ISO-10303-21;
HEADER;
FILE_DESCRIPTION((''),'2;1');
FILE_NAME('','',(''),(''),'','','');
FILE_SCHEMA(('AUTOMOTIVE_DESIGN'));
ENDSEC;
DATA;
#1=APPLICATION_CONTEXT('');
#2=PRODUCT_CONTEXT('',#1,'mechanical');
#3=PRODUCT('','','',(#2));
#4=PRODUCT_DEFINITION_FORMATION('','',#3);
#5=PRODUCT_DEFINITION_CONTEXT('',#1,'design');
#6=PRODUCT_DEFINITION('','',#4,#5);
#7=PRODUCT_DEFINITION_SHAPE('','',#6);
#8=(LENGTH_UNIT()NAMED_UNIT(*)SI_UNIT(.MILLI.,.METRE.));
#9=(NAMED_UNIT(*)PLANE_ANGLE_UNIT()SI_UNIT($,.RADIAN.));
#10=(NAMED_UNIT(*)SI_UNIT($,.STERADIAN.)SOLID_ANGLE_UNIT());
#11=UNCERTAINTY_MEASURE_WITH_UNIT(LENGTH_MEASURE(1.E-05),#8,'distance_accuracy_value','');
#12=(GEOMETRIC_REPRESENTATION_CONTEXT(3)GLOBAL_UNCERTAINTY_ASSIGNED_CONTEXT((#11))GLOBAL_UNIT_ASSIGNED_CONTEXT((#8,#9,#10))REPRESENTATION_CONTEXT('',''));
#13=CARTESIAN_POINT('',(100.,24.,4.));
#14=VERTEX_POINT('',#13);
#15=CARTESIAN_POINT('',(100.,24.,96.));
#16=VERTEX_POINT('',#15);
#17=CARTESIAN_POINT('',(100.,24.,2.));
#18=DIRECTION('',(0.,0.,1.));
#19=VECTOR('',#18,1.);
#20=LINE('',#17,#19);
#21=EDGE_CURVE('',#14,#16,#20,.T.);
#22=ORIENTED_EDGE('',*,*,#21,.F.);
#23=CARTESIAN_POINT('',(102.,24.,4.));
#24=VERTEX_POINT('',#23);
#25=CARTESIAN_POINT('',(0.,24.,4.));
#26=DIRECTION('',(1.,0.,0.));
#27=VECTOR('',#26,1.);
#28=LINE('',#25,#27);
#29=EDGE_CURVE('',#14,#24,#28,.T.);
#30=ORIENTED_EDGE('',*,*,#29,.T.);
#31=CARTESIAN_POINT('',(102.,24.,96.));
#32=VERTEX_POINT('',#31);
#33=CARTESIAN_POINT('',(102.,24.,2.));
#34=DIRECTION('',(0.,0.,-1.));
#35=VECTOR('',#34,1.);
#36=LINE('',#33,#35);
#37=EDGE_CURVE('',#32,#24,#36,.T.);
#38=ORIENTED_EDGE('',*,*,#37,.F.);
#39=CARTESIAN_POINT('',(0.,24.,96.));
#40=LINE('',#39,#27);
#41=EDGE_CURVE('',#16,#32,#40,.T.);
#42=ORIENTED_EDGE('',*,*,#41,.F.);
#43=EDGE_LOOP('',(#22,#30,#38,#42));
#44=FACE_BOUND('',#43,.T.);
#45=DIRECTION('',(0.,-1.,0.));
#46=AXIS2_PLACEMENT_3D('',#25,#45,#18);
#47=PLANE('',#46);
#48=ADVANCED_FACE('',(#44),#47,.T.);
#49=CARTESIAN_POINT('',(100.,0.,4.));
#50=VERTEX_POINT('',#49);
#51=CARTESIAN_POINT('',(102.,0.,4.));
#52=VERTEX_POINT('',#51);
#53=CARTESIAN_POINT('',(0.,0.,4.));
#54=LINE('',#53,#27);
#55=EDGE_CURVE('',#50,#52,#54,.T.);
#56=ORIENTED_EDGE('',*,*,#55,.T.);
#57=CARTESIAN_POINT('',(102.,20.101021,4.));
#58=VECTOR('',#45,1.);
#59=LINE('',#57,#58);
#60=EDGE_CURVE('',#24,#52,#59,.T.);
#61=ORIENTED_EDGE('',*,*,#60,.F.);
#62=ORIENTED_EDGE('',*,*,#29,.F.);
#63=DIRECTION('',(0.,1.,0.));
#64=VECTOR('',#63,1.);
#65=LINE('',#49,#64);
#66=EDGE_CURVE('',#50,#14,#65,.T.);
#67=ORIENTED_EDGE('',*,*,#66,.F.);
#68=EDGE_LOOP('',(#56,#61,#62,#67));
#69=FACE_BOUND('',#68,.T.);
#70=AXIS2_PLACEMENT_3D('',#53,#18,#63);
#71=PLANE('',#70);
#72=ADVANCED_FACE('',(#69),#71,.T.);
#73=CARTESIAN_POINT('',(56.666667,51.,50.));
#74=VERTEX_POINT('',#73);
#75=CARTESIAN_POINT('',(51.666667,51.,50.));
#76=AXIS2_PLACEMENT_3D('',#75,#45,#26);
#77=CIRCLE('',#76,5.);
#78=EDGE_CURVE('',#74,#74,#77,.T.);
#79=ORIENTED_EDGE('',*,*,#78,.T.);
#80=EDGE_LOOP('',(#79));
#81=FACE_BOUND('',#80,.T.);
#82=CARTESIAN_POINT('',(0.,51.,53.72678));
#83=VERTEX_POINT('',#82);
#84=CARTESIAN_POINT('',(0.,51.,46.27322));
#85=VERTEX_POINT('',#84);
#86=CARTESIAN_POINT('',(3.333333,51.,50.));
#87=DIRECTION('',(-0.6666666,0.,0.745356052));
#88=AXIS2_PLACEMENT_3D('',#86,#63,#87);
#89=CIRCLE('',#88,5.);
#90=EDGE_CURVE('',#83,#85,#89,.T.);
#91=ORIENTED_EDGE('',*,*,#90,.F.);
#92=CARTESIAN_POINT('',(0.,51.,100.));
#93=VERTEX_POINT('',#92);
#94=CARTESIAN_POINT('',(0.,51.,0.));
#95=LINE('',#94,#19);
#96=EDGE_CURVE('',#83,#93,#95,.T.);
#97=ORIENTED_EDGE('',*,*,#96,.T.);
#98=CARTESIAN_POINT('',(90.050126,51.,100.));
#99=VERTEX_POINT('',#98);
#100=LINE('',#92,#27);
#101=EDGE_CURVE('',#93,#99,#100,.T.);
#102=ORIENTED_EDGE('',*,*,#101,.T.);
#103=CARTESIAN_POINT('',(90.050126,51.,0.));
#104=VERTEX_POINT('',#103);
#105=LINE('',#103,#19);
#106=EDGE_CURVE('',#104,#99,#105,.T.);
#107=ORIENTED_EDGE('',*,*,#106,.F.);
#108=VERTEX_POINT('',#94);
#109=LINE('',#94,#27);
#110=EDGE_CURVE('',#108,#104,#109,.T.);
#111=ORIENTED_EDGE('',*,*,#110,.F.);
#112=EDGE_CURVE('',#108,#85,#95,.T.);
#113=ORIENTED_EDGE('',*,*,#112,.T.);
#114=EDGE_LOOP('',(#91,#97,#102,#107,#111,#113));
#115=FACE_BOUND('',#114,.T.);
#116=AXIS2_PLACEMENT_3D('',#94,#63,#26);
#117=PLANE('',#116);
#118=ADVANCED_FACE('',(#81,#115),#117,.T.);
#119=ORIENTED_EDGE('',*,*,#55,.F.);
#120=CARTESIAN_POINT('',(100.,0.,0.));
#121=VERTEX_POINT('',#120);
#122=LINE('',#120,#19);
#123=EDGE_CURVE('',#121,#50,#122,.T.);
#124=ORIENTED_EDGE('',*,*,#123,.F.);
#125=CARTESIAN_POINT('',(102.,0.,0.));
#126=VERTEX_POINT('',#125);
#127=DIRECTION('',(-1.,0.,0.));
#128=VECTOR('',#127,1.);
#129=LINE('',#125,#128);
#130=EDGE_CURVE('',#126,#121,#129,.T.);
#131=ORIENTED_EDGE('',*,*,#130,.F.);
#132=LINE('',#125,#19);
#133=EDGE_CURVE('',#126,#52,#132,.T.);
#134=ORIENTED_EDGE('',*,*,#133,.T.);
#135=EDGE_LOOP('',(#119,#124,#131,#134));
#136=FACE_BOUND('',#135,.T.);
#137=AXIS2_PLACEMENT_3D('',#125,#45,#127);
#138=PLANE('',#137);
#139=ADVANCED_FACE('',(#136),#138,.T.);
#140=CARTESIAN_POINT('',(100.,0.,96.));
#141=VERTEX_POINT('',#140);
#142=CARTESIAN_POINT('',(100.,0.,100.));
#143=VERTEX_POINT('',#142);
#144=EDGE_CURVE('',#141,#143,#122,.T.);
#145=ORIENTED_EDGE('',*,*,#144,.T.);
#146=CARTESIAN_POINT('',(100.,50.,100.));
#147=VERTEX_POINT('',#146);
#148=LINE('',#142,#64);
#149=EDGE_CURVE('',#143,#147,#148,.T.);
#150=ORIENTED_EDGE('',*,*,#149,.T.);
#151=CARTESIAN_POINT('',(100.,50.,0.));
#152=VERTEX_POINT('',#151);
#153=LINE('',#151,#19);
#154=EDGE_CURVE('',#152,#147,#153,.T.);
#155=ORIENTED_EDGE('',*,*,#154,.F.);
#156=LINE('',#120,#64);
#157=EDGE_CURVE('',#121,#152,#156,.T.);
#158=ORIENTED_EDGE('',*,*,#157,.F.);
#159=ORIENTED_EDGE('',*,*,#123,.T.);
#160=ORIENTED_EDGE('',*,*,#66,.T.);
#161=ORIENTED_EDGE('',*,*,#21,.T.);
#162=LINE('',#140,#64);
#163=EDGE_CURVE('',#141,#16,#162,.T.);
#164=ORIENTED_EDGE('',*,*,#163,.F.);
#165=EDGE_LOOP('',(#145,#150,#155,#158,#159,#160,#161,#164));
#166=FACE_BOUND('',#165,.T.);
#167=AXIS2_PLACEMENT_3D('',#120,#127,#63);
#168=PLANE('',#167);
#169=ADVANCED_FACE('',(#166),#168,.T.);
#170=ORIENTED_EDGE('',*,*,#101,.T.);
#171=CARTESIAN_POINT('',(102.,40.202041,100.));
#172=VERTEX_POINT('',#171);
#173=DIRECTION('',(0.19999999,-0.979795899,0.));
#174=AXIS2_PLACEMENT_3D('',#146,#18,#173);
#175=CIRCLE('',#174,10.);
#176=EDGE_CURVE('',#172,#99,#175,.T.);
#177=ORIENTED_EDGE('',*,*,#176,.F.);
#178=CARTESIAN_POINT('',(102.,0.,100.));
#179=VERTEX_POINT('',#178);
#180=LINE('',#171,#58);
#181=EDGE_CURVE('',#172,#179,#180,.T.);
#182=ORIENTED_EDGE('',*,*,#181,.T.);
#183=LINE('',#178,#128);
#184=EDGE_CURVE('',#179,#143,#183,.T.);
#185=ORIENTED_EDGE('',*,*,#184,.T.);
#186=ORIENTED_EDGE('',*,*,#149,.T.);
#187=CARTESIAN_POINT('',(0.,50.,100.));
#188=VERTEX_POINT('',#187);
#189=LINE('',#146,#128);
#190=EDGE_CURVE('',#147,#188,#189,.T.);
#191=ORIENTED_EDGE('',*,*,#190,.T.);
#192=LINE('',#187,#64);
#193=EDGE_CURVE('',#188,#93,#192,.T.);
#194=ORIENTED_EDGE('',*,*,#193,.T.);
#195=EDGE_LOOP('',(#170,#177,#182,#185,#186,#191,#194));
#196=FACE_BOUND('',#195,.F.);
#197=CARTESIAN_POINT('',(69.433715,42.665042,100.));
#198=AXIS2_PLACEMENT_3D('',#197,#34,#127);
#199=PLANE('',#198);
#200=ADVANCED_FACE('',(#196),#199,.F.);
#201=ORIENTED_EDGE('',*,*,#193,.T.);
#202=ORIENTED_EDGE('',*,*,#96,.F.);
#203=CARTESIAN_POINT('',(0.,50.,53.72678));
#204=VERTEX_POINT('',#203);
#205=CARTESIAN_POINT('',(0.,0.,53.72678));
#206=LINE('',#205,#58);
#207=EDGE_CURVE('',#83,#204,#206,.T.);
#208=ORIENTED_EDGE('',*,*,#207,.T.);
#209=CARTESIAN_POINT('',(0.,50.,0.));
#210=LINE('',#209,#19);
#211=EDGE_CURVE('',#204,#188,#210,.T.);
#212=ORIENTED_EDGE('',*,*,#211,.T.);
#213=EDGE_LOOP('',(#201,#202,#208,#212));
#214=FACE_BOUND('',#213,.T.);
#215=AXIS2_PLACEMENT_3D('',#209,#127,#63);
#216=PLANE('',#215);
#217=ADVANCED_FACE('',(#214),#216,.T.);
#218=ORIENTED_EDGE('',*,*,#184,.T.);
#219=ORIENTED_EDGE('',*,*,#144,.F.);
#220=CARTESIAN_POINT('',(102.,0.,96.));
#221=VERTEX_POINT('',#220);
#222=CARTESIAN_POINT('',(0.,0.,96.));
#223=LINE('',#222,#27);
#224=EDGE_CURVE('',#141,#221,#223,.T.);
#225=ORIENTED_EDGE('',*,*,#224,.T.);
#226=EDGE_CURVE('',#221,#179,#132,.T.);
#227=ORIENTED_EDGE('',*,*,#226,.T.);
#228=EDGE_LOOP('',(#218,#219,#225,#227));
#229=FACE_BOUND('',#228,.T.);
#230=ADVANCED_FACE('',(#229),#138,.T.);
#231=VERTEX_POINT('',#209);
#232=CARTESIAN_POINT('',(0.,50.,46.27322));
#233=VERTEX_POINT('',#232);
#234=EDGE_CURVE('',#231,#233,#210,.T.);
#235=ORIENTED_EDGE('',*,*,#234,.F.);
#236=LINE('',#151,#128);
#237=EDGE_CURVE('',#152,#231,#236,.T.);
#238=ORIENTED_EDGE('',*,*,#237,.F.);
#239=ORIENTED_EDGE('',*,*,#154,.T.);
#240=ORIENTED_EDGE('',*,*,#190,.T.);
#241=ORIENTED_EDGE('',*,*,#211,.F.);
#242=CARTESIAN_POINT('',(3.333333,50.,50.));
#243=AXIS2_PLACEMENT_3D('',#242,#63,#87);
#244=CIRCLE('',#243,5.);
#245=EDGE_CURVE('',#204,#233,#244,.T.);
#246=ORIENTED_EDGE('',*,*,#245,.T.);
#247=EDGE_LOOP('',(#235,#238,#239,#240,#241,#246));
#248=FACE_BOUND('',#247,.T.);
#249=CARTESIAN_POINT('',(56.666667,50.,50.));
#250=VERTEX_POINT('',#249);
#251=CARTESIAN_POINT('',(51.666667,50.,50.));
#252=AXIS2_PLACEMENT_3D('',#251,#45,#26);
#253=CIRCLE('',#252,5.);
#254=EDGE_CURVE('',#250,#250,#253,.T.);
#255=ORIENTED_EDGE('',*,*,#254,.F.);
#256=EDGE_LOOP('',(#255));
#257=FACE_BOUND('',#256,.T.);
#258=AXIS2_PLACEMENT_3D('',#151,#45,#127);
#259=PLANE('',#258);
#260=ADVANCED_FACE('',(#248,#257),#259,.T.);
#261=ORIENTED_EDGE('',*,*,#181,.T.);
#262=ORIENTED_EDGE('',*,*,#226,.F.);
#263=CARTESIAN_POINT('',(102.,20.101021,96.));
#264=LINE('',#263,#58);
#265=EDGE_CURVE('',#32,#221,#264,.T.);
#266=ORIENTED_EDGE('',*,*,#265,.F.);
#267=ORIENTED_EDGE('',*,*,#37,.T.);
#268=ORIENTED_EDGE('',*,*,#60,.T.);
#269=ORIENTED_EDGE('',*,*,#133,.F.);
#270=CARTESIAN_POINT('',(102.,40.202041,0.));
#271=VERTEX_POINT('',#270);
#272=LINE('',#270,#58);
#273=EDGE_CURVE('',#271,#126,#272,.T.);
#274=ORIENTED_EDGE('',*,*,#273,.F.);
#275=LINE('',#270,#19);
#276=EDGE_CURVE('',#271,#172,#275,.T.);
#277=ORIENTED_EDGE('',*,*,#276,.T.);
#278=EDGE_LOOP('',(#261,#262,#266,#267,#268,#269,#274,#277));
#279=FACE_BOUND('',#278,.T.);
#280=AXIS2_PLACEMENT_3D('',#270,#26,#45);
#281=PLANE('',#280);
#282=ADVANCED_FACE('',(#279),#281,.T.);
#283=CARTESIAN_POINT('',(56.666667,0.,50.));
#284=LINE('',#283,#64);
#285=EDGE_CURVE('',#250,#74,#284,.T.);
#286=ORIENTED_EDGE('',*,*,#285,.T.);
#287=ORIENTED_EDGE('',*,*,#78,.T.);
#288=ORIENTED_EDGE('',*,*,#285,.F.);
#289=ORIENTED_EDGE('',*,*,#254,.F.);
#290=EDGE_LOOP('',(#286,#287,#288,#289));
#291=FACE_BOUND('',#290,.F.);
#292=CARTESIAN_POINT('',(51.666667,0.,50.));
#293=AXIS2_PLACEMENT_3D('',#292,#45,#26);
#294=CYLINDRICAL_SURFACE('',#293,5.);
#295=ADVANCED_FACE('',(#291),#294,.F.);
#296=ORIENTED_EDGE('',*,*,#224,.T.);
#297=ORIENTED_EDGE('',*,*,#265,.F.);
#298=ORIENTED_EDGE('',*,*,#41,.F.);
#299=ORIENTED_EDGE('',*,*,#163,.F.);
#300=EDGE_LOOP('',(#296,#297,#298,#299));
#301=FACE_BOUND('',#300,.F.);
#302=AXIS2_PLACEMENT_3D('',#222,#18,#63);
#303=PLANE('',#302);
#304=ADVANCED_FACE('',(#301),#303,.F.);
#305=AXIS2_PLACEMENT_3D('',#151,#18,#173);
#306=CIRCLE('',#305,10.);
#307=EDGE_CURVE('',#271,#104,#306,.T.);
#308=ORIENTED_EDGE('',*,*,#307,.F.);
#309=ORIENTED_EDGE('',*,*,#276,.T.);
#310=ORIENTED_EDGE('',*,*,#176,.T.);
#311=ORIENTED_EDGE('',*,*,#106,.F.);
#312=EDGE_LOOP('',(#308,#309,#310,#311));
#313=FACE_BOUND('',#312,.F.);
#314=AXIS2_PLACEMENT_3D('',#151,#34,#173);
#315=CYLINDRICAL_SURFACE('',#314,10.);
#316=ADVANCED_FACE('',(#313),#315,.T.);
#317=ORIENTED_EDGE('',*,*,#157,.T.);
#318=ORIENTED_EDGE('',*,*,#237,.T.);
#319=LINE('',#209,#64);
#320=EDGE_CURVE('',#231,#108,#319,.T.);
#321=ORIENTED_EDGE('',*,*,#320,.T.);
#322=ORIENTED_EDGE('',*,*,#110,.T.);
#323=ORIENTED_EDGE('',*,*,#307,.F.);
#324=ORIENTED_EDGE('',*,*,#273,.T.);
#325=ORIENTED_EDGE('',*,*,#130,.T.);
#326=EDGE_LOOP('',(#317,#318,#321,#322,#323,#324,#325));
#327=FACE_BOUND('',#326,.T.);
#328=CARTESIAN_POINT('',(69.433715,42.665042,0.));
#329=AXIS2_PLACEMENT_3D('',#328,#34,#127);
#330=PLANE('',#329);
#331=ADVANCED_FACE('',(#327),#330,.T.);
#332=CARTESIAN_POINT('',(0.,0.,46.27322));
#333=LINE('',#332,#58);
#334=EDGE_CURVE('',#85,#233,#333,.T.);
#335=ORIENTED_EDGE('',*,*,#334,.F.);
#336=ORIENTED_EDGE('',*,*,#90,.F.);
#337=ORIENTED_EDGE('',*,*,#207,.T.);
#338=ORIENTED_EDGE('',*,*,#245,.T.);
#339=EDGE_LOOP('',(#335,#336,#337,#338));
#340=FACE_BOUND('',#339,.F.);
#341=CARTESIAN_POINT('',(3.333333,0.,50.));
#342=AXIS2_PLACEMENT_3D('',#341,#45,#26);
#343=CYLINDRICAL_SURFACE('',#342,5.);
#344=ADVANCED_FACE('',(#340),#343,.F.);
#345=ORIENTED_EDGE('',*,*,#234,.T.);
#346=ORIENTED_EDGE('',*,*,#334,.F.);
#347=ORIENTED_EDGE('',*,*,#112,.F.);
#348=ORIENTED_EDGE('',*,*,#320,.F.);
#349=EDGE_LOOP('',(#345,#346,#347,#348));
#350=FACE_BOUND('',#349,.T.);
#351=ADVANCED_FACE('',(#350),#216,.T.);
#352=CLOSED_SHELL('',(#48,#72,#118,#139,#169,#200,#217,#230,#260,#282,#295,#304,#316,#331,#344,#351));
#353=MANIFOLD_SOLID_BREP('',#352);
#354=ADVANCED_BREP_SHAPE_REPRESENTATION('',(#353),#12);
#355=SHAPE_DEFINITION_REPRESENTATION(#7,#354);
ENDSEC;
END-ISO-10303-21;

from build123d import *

# Parameters (mm, degrees)
PAD_DEPTH       = 100
SKETCH001_R     = 5
POCKET_DEPTH    = 60.001
SKETCH002_W     = 24
SKETCH002_H     = 92
POCKET001_DEPTH = 110.001


with BuildPart() as part:
    # Sketch → Pad (new body)
    with BuildSketch(Plane.XY):
        with BuildLine():
            Line((100, 0), (100, 50))
            Line((100, 50), (0, 50))
            Line((0, 50), (0, 51))
            Line((0, 51), (90.050126, 51))
            ThreePointArc((102, 40.202041), (106.704409, 57.419629), (90.050126, 51))
            Line((102, 40.202041), (102, 0))
            Line((102, 0), (100, 0))
        make_face()
    extrude(amount=PAD_DEPTH)

    # Sketch001 → Pocket (cut, through all)
    with BuildSketch(Plane.XZ):
        with Locations((3.333333, 50)):
            Circle(SKETCH001_R)
        with Locations((51.666667, 50)):
            Circle(SKETCH001_R)
    extrude(amount=-POCKET_DEPTH, mode=Mode.SUBTRACT)

    # Sketch002 → Pocket001 (cut, through all)
    with BuildSketch(Plane.YZ):
        with Locations((12, 50)):
            Rectangle(SKETCH002_W, SKETCH002_H)
    extrude(amount=POCKET001_DEPTH, mode=Mode.SUBTRACT)


solid = part.part
